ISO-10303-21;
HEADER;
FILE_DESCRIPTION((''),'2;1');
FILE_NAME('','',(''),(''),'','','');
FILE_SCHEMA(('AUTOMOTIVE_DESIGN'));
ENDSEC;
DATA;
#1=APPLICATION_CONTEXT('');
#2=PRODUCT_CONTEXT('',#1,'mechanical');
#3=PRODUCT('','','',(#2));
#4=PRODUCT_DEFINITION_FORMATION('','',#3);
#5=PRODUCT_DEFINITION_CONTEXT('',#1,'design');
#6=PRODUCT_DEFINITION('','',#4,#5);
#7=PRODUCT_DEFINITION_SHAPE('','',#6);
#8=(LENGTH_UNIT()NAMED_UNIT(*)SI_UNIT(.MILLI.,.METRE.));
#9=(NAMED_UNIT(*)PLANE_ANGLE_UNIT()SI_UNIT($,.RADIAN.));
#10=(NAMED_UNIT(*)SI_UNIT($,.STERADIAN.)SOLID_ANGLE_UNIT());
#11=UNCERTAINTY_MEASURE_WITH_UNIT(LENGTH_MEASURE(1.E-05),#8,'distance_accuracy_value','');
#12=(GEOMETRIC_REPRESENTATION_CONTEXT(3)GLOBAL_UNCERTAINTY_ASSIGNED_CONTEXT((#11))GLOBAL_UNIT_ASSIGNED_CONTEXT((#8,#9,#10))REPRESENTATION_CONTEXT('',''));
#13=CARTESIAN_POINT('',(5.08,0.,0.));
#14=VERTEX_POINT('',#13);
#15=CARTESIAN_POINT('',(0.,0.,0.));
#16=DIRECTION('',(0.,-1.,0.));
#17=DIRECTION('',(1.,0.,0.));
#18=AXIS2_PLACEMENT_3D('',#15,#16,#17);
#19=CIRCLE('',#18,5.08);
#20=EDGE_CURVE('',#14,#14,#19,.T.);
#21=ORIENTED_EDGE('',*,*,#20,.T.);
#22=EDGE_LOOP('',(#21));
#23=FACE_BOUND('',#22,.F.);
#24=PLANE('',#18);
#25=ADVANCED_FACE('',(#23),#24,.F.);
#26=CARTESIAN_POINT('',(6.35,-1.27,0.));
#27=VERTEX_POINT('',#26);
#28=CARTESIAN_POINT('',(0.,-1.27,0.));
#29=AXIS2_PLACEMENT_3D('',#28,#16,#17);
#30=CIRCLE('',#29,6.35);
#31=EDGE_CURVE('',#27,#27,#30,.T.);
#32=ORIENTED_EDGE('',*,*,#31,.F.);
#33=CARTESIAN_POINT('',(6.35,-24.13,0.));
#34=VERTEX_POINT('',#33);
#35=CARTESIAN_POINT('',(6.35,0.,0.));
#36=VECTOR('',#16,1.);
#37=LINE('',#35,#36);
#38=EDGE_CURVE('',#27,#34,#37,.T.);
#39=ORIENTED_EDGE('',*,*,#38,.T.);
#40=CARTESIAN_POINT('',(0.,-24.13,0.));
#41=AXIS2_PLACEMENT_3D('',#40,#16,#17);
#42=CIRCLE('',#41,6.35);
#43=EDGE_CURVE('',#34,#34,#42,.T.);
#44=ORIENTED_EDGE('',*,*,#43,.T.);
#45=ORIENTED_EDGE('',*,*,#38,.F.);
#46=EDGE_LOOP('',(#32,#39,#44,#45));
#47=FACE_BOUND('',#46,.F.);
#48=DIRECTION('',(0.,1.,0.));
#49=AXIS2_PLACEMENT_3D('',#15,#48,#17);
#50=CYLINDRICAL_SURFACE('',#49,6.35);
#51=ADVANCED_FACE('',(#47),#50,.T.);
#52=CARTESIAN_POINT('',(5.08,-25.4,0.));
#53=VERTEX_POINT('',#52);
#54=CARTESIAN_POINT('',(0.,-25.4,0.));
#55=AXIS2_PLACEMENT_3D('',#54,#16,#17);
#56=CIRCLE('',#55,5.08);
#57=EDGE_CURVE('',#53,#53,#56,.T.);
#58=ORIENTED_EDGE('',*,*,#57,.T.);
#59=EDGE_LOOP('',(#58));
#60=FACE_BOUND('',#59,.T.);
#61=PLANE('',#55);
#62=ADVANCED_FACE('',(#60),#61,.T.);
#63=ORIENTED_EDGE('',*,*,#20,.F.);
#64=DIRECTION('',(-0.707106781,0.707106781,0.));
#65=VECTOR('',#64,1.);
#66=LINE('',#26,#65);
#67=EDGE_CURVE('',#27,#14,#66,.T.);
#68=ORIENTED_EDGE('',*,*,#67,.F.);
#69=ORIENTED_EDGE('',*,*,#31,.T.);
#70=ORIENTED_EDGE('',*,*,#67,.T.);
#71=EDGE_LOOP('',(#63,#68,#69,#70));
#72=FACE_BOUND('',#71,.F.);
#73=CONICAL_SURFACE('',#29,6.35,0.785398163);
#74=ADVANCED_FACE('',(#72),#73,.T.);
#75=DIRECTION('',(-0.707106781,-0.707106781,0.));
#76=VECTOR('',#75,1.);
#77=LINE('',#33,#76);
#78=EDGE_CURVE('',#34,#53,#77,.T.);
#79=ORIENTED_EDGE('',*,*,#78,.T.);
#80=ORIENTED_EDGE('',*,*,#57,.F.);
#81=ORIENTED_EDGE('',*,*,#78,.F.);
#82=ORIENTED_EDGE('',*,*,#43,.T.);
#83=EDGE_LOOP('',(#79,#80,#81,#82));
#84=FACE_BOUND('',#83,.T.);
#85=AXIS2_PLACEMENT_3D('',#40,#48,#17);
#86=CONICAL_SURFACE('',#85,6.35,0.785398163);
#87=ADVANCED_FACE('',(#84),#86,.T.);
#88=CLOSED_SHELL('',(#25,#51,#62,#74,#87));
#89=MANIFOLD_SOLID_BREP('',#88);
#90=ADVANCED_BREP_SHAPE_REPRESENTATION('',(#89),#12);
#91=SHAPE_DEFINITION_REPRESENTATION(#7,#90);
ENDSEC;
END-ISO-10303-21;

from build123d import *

# Parameters (mm, degrees)
F0_R     = 6.35
F1_DEPTH = 25.4
F2_SIZE  = 1.27
F3_SIZE  = 1.27


with BuildPart() as f1:
    # F0 (on Front) → F1 (new body)
    with BuildSketch(Plane.XZ):
        Circle(F0_R)
    extrude(amount=F1_DEPTH)

    # F2
    f2_edges = [f1.edges().sort_by_distance(p)[0] for p in [
        (-6.35, -25.4, 0),
    ]]
    chamfer(f2_edges, length=F2_SIZE)

    # F3
    f3_edges = [f1.edges().sort_by_distance(p)[0] for p in [
        (-6.35, 0, 0),
    ]]
    chamfer(f3_edges, length=F3_SIZE)


solid = f1.part
